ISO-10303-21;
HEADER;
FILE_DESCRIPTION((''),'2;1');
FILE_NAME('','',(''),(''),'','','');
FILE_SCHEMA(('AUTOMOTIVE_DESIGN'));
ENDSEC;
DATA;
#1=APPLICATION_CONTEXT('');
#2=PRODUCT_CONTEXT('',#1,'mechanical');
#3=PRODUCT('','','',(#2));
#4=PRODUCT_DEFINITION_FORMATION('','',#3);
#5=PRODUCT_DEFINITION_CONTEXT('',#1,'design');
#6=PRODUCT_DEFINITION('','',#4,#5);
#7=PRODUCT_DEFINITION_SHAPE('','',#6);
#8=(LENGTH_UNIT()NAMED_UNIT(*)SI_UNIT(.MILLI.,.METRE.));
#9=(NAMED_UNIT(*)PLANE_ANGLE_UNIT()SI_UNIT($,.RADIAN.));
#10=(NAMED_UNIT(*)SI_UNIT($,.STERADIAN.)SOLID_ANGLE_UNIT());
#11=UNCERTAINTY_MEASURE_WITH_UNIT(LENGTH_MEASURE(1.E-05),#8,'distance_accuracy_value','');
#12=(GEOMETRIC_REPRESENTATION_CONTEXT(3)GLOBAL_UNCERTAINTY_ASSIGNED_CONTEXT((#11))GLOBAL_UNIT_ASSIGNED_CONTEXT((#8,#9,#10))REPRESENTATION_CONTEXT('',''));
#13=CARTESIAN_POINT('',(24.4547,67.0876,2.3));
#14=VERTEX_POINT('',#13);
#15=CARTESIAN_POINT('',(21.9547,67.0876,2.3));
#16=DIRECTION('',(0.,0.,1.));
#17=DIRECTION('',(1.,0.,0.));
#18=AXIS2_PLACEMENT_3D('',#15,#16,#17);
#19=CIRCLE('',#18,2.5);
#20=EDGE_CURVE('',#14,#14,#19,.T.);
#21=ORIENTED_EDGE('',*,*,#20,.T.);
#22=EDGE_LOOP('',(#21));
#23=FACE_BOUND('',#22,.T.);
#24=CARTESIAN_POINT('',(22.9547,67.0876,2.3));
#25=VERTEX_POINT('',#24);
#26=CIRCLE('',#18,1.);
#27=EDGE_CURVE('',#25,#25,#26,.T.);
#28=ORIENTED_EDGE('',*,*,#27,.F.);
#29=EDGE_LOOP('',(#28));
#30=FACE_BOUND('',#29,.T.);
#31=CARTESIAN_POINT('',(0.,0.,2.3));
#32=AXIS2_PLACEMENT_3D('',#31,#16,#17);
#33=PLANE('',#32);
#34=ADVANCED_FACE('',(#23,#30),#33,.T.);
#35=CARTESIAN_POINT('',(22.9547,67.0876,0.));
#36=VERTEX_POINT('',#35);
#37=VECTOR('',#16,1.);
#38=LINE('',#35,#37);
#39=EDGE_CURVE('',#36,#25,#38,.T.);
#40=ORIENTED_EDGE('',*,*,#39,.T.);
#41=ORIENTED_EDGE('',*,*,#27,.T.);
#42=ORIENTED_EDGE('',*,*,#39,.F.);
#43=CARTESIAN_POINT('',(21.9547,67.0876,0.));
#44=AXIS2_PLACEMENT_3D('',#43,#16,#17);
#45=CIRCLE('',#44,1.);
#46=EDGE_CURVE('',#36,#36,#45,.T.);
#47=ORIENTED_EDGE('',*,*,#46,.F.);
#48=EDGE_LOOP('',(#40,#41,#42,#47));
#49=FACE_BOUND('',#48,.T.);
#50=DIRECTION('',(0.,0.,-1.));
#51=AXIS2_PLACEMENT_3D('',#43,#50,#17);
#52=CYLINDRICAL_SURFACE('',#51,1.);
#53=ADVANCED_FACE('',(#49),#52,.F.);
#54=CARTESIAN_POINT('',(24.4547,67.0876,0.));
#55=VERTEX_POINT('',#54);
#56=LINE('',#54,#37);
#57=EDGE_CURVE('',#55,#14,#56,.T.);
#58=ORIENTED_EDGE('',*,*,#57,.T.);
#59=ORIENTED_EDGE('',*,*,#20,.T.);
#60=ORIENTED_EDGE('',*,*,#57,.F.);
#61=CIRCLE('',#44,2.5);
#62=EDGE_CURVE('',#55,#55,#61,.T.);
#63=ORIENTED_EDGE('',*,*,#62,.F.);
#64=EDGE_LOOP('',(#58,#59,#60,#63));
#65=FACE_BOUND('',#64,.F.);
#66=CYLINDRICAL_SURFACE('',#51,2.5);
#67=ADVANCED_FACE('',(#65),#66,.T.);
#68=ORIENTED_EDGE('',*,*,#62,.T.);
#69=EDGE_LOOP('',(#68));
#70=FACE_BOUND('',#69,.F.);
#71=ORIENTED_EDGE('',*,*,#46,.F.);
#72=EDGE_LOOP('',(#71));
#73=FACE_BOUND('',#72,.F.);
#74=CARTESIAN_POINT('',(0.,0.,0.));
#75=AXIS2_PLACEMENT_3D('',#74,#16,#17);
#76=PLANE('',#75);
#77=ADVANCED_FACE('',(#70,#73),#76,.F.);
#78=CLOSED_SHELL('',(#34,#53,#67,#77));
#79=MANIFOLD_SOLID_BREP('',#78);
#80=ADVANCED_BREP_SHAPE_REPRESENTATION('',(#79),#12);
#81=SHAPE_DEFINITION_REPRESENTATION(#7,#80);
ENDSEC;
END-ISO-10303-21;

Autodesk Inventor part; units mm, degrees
ref_plane "YZ Plane" through (0, 0, 0) normal (1, 0, 0) x (0, 1, 0)
ref_plane "XZ Plane" through (0, 0, 0) normal (0, 1, 0) x (-1, 0, 0)
ref_plane "XY Plane" through (0, 0, 0) normal (0, 0, 1) x (1, 0, 0)
sketch "Эскиз1" plane through (0, 0, 0) normal (0, 0, 1) x (1, 0, 0)
  circle A0 centre (21.9547, 67.0876) radius 1
  circle A1 centre (21.9547, 67.0876) radius 2.5
  point P0 (0, 0)
  dimension "d0" = 2
  dimension "d1" = 5
extrude "Выдавливание1" add sketch "Эскиз1" along normal blind 2.3
properties part number "колесико"
